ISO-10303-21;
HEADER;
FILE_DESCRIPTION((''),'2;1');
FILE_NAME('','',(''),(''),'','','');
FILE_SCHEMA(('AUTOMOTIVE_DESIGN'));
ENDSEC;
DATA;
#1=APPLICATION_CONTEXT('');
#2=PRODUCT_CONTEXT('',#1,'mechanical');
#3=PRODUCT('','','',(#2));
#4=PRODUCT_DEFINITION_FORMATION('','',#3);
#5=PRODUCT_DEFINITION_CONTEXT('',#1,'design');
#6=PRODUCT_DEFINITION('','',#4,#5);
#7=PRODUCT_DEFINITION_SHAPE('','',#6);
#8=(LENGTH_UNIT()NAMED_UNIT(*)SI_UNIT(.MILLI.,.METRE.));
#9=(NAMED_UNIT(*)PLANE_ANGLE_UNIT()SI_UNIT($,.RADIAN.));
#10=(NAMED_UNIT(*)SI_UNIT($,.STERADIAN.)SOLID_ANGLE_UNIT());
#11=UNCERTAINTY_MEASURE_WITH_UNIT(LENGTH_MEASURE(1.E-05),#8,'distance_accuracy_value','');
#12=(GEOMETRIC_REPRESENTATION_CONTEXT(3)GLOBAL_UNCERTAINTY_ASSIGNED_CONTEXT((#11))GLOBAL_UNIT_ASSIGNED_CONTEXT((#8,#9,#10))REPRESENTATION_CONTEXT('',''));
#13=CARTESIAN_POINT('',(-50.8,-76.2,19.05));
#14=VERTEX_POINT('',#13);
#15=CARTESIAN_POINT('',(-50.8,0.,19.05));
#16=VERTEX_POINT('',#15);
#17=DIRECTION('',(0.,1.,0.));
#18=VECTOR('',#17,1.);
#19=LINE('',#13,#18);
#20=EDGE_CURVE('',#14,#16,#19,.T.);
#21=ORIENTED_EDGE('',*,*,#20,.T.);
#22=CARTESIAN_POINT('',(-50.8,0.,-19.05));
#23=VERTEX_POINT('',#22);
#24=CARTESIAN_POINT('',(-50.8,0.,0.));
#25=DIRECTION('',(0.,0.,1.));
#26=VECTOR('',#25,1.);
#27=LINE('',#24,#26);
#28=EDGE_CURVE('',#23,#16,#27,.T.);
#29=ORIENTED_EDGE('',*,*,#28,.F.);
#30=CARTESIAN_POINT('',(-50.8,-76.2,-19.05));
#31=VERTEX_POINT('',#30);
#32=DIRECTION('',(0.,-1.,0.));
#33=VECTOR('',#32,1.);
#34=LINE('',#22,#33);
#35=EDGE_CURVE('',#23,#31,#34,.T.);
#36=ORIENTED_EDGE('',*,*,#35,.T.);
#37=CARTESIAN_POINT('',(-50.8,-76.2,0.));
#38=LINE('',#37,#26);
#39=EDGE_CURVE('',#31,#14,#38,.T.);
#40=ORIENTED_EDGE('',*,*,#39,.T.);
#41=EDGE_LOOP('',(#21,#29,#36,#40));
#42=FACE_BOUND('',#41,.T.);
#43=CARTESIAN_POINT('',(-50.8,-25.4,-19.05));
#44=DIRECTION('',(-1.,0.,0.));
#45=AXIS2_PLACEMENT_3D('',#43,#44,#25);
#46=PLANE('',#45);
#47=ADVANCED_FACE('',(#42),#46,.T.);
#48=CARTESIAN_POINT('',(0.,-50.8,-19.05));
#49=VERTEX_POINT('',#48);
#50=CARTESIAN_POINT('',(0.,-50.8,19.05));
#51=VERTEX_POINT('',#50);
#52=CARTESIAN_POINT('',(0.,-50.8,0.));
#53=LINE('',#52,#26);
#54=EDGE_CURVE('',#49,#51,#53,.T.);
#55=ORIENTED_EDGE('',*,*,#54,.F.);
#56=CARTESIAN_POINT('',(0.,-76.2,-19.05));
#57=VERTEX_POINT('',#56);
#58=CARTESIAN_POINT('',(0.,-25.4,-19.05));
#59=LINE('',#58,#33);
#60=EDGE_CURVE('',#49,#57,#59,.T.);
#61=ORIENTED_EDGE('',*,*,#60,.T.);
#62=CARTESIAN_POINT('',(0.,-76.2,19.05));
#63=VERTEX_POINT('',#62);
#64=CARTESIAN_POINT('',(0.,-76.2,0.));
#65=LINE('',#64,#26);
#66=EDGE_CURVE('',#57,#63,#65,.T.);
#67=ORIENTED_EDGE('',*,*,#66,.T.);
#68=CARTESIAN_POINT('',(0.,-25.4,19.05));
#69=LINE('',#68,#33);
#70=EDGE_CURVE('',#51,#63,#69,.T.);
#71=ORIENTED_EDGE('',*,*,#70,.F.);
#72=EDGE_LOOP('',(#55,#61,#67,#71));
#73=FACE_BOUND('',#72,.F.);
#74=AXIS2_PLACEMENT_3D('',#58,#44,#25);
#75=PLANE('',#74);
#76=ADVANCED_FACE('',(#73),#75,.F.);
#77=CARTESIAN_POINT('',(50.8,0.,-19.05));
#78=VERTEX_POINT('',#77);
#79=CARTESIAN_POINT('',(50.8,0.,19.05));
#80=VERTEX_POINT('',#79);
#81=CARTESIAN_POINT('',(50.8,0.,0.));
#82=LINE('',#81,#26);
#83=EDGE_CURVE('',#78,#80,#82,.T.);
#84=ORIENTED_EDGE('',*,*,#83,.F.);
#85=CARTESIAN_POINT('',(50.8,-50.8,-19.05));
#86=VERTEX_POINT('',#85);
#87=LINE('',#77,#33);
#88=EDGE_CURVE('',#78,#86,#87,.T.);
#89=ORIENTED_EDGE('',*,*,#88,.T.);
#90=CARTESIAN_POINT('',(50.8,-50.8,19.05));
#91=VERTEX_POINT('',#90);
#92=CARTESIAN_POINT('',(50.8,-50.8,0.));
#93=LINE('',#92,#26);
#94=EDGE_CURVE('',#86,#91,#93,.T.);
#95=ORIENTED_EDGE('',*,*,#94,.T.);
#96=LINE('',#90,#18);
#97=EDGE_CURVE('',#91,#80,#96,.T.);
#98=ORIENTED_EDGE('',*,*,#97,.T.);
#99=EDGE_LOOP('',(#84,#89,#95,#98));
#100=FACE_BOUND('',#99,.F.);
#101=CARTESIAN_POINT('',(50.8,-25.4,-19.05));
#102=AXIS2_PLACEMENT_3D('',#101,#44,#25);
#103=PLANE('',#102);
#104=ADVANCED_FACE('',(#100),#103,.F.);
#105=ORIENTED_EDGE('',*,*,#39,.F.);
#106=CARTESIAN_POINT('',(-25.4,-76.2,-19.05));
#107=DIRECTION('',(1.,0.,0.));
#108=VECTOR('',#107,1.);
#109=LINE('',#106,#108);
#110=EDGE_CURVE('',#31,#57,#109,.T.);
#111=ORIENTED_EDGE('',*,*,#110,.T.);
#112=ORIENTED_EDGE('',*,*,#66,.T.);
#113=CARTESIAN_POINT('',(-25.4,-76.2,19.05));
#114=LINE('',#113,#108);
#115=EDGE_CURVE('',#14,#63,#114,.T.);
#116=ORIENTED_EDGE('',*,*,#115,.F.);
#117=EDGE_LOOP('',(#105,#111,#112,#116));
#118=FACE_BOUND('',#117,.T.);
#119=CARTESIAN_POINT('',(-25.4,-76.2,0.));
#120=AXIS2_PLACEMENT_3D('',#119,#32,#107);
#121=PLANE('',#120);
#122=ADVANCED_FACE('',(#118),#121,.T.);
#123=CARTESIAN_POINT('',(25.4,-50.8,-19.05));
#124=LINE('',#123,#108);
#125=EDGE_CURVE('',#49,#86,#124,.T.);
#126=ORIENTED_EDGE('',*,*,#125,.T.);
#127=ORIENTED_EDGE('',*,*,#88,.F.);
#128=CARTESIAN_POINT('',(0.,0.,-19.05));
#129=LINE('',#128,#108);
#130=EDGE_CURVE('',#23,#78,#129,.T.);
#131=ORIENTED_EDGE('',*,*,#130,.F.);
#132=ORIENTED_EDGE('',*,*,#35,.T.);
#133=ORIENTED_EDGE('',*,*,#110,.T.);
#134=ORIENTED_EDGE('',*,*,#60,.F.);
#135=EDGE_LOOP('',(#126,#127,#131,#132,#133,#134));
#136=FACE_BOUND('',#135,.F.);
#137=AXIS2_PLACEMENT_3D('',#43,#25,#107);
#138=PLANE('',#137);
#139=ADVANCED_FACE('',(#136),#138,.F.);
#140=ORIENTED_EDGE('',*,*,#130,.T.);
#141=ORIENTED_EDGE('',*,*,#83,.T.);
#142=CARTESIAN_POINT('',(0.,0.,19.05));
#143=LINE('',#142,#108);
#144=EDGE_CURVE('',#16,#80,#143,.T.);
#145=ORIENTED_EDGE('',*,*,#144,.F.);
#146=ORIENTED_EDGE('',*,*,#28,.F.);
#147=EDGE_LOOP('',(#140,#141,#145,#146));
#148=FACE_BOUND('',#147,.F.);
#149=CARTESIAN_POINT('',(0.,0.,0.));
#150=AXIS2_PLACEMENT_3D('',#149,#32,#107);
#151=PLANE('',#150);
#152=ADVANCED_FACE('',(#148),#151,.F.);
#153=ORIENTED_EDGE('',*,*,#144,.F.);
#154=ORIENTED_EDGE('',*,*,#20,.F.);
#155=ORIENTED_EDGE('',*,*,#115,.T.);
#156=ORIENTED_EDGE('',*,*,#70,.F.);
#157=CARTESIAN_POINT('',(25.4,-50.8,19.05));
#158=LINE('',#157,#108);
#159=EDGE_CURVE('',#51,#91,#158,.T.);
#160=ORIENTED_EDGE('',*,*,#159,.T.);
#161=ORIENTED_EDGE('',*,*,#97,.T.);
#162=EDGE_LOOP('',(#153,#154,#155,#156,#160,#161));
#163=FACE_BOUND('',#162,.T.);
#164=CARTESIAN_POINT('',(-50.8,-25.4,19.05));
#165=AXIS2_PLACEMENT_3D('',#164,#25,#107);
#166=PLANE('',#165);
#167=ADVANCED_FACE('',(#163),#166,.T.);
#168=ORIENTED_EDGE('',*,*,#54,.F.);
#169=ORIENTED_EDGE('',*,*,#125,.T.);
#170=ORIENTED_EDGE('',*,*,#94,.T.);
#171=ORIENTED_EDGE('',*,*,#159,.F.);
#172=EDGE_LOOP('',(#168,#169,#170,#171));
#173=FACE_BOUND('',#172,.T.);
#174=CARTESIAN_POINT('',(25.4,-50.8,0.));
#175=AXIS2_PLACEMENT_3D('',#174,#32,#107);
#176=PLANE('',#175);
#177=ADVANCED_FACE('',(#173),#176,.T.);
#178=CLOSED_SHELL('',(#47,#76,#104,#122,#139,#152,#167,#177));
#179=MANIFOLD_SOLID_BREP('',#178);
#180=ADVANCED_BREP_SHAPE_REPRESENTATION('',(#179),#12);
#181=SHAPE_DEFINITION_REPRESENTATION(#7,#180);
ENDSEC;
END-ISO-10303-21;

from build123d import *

# Parameters (mm, degrees)
F0_W      = 101.6
F0_H      = 38.1
F1_DEPTH  = 25.4
F2_W      = 50.8
F2_H      = 38.1
F3_DEPTH  = 25.4
F1_FACE_W = 50.8
F1_FACE_H = 38.1
F4_DEPTH  = 50.8


with BuildPart() as f1:
    # F0 (on Front) → F1 (new body)
    with BuildSketch(Plane.XZ):
        Rectangle(F0_W, F0_H)
    extrude(amount=F1_DEPTH)

    # F2 (on face) → F3 (join)
    with BuildSketch(Plane.XZ.offset(25.4)):
        with Locations((25.4, 0)):
            Rectangle(F2_W, F2_H)
    extrude(amount=F3_DEPTH)

    # F1_face (on face) → F4 (join)
    with BuildSketch(Plane.XZ.offset(25.4)):
        with Locations((-25.4, 0)):
            Rectangle(F1_FACE_W, F1_FACE_H)
    extrude(amount=F4_DEPTH)


solid = f1.part
